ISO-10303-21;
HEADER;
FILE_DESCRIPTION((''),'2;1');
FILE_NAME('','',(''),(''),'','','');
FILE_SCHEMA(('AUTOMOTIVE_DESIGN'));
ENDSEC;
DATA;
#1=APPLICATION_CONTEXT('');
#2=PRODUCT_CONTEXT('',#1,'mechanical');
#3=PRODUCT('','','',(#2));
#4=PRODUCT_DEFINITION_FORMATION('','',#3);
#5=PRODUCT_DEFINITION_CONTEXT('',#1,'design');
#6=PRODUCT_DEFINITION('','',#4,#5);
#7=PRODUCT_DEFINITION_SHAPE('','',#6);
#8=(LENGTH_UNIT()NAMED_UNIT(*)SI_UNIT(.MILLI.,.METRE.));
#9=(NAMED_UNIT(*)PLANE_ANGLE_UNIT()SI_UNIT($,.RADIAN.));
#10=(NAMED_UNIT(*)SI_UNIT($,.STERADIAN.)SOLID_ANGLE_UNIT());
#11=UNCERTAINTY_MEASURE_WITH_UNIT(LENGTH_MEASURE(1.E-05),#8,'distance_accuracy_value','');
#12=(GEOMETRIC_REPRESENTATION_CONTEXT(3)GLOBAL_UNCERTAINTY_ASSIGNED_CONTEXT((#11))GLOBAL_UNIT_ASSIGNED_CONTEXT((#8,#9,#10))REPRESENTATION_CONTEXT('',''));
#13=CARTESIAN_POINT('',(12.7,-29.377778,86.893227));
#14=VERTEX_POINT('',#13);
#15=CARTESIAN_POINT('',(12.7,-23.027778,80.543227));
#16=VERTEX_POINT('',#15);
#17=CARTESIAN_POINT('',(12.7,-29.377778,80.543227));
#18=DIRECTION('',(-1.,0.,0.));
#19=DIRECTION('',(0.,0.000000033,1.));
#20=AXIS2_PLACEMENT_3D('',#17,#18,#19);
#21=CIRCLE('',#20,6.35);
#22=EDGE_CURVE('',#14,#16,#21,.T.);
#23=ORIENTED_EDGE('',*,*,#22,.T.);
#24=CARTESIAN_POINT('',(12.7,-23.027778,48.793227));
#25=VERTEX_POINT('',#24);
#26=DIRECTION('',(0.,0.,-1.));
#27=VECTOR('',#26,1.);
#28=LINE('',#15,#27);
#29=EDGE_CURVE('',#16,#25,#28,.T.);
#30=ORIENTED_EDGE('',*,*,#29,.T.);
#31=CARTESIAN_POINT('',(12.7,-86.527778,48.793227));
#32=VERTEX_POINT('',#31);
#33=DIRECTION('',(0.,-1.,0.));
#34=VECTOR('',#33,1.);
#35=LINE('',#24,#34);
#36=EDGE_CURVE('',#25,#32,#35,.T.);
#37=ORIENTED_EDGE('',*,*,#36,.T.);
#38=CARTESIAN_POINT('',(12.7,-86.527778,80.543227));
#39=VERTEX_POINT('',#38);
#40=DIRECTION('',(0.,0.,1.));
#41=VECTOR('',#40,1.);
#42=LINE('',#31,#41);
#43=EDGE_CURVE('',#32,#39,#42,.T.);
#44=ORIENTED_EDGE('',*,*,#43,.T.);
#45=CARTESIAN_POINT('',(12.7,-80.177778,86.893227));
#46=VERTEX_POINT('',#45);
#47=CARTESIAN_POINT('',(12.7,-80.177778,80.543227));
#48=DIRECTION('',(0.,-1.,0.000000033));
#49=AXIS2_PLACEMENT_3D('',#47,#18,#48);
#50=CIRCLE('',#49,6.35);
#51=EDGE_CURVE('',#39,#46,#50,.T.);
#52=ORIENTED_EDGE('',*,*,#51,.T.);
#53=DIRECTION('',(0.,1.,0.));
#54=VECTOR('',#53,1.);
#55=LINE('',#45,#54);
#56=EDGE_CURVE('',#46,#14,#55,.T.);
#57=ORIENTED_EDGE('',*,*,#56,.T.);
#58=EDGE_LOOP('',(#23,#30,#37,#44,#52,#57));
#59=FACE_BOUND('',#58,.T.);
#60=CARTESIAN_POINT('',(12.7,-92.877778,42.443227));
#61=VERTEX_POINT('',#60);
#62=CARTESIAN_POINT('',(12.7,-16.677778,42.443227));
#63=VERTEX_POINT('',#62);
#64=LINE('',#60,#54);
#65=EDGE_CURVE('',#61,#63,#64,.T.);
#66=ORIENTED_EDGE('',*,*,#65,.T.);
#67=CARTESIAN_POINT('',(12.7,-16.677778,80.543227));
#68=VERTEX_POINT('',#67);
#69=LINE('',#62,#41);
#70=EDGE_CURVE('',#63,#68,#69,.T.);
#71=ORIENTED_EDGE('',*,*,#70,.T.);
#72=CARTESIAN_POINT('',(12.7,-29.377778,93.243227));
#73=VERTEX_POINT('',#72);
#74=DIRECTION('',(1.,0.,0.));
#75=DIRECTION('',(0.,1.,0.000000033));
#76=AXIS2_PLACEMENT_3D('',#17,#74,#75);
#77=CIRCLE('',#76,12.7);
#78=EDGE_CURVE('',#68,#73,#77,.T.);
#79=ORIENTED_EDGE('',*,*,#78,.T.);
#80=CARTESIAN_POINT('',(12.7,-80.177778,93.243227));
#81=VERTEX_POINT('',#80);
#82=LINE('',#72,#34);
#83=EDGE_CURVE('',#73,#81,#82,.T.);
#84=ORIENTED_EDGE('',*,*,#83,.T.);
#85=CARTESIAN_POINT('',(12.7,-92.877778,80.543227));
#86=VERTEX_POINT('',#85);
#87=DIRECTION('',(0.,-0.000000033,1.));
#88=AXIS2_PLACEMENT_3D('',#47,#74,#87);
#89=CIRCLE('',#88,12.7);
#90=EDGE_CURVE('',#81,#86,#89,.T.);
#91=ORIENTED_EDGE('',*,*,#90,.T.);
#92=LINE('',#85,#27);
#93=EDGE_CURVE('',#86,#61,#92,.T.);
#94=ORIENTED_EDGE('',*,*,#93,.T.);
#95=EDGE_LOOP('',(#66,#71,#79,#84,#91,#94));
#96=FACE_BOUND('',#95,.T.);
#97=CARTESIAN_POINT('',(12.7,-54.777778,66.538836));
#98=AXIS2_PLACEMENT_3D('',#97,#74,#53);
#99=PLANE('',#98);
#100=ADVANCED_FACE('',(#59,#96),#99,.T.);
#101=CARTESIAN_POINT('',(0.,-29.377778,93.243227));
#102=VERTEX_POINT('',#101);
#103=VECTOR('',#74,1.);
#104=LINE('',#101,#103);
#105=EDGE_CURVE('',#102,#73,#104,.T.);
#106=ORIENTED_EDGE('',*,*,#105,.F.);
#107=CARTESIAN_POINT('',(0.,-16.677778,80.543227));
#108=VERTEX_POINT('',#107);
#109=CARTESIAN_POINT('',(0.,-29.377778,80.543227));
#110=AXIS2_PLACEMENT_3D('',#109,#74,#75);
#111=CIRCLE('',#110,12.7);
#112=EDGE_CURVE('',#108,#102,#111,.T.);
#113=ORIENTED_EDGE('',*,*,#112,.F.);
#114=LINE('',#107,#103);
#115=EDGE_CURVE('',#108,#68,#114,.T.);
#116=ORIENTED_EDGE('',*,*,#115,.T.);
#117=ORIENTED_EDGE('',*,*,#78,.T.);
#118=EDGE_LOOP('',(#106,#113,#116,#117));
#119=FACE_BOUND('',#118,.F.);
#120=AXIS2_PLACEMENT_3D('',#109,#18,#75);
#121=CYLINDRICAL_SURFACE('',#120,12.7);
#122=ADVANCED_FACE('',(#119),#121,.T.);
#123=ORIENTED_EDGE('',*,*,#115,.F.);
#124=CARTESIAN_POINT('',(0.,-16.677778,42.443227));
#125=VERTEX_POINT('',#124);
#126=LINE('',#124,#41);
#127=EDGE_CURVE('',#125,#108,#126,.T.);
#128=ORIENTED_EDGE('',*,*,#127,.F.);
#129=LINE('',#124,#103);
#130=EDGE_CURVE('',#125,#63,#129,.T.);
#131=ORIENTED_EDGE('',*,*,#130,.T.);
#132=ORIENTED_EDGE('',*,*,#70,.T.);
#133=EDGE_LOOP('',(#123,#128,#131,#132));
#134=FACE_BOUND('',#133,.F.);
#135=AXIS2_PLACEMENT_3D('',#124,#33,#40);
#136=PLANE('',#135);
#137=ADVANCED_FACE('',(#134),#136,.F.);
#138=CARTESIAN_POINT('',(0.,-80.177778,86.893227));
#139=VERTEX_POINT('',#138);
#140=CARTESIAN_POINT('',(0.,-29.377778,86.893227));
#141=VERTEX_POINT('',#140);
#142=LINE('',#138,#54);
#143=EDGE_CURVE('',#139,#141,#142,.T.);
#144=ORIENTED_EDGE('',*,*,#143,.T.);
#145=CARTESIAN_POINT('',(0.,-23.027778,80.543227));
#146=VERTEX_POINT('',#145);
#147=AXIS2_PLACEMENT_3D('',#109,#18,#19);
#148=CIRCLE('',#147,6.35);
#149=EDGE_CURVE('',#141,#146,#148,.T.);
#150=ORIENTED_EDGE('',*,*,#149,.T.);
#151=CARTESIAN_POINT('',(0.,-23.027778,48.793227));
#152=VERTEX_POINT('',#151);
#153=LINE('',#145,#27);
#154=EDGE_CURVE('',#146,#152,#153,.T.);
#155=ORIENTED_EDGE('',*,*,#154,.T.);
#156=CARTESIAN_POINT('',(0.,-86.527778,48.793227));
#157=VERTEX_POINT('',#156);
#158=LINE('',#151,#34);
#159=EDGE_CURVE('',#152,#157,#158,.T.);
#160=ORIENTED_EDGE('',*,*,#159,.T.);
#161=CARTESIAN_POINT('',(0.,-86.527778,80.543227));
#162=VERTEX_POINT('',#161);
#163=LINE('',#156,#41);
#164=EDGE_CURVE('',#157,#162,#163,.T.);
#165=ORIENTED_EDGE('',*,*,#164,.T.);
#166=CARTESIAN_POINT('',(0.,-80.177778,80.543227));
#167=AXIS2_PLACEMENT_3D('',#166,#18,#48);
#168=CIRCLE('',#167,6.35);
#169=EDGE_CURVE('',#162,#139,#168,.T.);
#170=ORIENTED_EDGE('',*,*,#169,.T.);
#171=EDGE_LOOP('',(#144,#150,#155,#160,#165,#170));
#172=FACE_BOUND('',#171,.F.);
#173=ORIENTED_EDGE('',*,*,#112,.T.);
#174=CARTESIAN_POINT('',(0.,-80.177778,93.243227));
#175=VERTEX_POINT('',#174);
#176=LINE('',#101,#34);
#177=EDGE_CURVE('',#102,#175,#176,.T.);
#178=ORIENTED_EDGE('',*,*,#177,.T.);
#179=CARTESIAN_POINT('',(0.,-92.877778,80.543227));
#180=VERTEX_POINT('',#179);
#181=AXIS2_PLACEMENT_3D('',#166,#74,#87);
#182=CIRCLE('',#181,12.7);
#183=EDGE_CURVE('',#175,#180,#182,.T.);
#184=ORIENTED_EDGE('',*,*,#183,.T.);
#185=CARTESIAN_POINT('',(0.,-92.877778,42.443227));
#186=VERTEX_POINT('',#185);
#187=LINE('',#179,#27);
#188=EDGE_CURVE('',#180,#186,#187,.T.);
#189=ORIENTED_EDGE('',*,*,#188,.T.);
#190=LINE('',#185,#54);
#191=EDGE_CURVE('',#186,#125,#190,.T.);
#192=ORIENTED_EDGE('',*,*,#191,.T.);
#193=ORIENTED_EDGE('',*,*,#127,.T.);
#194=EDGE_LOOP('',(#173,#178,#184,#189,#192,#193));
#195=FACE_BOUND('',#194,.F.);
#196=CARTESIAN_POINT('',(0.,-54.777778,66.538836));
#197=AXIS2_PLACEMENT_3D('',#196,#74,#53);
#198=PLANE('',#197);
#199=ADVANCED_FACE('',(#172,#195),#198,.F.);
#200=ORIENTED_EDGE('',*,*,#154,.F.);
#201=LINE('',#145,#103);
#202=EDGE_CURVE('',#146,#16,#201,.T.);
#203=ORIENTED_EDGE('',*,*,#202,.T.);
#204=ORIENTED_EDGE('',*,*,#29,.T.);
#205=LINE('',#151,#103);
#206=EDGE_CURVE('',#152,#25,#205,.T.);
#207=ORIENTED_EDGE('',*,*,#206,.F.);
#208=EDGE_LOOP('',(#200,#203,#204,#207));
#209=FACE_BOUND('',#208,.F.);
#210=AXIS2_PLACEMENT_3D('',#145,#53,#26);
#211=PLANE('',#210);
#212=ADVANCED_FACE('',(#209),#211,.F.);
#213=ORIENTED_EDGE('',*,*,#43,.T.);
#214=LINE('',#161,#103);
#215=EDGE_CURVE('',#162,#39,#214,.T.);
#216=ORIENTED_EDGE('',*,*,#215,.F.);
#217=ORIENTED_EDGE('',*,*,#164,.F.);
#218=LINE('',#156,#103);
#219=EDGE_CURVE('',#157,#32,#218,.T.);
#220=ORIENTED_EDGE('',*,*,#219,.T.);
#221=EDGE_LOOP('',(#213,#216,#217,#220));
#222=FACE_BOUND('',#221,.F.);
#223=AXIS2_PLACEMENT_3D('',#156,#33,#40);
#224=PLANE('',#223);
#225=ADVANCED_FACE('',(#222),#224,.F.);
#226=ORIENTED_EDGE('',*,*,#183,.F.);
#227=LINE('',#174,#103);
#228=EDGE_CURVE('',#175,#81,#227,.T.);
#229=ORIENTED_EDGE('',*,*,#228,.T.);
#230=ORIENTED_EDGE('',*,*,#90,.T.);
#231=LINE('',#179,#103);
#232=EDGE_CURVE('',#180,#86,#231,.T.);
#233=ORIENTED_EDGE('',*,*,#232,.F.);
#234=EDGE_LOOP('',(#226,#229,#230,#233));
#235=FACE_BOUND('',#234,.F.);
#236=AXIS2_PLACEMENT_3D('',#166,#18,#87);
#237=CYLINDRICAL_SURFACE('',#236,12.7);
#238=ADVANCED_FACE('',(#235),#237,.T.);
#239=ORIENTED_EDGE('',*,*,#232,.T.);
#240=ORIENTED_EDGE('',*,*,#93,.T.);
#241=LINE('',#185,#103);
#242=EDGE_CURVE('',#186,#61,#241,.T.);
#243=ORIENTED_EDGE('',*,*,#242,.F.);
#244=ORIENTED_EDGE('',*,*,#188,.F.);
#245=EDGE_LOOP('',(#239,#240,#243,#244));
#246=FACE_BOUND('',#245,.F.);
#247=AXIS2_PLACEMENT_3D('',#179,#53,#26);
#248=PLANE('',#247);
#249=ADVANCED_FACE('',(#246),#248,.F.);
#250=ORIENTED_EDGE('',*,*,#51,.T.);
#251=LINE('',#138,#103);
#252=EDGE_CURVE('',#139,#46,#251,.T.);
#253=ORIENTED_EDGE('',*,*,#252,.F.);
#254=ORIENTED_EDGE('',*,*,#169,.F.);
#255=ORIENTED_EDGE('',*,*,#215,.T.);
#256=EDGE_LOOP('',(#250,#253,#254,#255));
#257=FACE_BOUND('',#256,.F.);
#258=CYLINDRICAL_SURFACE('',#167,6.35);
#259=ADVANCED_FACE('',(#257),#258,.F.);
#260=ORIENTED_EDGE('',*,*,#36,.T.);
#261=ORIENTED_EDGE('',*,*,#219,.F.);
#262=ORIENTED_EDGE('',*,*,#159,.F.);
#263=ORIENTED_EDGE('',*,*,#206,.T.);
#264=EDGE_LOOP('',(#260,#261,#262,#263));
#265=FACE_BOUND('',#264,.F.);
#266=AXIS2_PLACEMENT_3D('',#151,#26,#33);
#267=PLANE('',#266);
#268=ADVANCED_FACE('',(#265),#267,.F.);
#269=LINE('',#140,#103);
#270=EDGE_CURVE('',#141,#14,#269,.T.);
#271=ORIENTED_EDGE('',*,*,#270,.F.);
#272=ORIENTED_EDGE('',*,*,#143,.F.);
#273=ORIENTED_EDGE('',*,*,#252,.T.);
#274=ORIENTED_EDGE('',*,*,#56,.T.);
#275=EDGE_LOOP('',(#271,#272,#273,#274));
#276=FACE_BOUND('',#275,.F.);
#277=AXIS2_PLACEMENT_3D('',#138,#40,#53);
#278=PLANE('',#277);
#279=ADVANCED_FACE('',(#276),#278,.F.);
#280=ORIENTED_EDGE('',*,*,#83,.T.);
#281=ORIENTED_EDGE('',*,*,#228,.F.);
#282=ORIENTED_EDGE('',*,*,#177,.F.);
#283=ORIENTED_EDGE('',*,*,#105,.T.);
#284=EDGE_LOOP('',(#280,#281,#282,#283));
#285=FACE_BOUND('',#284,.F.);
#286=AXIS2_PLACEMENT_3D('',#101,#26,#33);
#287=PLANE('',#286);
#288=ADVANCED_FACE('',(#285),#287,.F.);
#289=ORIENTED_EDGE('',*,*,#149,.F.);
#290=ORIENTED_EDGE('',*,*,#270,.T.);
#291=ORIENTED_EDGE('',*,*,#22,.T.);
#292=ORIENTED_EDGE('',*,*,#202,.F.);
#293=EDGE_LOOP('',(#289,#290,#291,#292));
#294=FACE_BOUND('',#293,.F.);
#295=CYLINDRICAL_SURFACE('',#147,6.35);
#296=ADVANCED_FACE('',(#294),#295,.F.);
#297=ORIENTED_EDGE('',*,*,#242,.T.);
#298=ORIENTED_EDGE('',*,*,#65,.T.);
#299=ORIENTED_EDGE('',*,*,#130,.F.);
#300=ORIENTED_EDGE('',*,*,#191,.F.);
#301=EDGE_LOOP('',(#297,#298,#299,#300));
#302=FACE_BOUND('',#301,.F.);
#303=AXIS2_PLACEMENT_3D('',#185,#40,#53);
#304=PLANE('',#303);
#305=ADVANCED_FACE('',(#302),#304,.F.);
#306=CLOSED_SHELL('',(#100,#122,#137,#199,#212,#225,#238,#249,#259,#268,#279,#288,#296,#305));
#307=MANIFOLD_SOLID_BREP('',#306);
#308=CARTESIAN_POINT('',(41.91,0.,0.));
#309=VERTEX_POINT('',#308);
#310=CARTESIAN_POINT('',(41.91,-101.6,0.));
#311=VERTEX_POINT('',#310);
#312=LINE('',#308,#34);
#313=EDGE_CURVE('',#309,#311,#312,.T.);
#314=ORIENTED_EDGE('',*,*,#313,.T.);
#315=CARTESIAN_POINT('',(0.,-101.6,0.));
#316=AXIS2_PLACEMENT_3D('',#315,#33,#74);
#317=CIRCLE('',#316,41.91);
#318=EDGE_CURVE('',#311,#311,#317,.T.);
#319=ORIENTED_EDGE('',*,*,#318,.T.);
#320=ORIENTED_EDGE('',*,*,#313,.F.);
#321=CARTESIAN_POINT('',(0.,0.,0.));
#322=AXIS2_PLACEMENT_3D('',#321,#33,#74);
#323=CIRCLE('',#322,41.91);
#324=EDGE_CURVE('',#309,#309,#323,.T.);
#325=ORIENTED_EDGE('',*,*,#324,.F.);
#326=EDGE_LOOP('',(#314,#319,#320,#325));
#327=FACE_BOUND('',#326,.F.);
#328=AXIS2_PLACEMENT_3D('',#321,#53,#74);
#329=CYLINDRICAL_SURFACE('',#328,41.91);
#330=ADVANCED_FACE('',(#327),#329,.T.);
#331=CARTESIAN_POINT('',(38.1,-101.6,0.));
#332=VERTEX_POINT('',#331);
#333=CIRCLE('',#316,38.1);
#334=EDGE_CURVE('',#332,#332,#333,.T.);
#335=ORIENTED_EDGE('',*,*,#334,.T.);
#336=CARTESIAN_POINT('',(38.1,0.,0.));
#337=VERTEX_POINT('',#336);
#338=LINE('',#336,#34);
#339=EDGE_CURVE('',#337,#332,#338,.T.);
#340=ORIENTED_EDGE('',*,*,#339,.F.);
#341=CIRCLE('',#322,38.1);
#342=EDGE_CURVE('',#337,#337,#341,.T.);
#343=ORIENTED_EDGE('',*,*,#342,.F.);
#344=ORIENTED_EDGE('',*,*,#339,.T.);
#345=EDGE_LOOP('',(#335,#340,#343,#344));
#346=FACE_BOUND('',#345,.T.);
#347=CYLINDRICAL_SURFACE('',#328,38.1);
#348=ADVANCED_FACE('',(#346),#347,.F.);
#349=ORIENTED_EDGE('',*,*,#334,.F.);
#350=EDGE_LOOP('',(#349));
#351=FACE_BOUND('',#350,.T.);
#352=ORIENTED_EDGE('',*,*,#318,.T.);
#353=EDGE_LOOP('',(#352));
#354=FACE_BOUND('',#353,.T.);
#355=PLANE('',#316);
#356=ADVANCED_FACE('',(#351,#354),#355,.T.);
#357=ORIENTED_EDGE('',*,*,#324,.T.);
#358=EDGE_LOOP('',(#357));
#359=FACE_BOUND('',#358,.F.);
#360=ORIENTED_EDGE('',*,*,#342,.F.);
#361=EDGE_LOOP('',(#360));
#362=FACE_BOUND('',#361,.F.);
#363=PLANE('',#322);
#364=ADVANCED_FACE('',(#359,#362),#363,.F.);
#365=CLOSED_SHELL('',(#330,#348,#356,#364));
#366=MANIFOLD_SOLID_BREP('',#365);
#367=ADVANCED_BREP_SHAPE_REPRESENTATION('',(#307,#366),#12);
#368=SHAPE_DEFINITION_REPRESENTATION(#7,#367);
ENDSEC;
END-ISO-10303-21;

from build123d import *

# Parameters (mm, degrees)
F0_R     = 41.91
F0_R_2   = 38.1
F1_DEPTH = 101.6
F3_DEPTH = 12.7


with BuildPart() as f1:
    # F0 (on Front) → F1 (new body)
    with BuildSketch(Plane.XZ):
        Circle(F0_R)
        Circle(F0_R_2, mode=Mode.SUBTRACT)
    extrude(amount=F1_DEPTH)


with BuildPart() as f3:
    # F2 (on Right) → F3 (new body)
    with BuildSketch(Plane.YZ):
        with BuildLine():
            Line((-92.877778, 80.543227), (-92.877778, 42.443227))
            Line((-92.877778, 42.443227), (-16.677778, 42.443227))
            Line((-16.677778, 42.443227), (-16.677778, 80.543227))
            ThreePointArc((-16.677778, 80.543227), (-20.397522, 89.523483), (-29.377778, 93.243227))
            Line((-29.377778, 93.243227), (-80.177778, 93.243227))
            ThreePointArc((-80.177778, 93.243227), (-89.158034, 89.523483), (-92.877778, 80.543227))
        make_face()
        with BuildLine():
            ThreePointArc((-86.527778, 80.543227), (-84.667906, 85.033355), (-80.177778, 86.893227))
            Line((-80.177778, 86.893227), (-29.377778, 86.893227))
            ThreePointArc((-29.377778, 86.893227), (-24.88765, 85.033355), (-23.027778, 80.543227))
            Line((-23.027778, 80.543227), (-23.027778, 48.793227))
            Line((-23.027778, 48.793227), (-86.527778, 48.793227))
            Line((-86.527778, 48.793227), (-86.527778, 80.543227))
        make_face(mode=Mode.SUBTRACT)
    extrude(amount=F3_DEPTH)


solid = Compound([f1.part, f3.part])
